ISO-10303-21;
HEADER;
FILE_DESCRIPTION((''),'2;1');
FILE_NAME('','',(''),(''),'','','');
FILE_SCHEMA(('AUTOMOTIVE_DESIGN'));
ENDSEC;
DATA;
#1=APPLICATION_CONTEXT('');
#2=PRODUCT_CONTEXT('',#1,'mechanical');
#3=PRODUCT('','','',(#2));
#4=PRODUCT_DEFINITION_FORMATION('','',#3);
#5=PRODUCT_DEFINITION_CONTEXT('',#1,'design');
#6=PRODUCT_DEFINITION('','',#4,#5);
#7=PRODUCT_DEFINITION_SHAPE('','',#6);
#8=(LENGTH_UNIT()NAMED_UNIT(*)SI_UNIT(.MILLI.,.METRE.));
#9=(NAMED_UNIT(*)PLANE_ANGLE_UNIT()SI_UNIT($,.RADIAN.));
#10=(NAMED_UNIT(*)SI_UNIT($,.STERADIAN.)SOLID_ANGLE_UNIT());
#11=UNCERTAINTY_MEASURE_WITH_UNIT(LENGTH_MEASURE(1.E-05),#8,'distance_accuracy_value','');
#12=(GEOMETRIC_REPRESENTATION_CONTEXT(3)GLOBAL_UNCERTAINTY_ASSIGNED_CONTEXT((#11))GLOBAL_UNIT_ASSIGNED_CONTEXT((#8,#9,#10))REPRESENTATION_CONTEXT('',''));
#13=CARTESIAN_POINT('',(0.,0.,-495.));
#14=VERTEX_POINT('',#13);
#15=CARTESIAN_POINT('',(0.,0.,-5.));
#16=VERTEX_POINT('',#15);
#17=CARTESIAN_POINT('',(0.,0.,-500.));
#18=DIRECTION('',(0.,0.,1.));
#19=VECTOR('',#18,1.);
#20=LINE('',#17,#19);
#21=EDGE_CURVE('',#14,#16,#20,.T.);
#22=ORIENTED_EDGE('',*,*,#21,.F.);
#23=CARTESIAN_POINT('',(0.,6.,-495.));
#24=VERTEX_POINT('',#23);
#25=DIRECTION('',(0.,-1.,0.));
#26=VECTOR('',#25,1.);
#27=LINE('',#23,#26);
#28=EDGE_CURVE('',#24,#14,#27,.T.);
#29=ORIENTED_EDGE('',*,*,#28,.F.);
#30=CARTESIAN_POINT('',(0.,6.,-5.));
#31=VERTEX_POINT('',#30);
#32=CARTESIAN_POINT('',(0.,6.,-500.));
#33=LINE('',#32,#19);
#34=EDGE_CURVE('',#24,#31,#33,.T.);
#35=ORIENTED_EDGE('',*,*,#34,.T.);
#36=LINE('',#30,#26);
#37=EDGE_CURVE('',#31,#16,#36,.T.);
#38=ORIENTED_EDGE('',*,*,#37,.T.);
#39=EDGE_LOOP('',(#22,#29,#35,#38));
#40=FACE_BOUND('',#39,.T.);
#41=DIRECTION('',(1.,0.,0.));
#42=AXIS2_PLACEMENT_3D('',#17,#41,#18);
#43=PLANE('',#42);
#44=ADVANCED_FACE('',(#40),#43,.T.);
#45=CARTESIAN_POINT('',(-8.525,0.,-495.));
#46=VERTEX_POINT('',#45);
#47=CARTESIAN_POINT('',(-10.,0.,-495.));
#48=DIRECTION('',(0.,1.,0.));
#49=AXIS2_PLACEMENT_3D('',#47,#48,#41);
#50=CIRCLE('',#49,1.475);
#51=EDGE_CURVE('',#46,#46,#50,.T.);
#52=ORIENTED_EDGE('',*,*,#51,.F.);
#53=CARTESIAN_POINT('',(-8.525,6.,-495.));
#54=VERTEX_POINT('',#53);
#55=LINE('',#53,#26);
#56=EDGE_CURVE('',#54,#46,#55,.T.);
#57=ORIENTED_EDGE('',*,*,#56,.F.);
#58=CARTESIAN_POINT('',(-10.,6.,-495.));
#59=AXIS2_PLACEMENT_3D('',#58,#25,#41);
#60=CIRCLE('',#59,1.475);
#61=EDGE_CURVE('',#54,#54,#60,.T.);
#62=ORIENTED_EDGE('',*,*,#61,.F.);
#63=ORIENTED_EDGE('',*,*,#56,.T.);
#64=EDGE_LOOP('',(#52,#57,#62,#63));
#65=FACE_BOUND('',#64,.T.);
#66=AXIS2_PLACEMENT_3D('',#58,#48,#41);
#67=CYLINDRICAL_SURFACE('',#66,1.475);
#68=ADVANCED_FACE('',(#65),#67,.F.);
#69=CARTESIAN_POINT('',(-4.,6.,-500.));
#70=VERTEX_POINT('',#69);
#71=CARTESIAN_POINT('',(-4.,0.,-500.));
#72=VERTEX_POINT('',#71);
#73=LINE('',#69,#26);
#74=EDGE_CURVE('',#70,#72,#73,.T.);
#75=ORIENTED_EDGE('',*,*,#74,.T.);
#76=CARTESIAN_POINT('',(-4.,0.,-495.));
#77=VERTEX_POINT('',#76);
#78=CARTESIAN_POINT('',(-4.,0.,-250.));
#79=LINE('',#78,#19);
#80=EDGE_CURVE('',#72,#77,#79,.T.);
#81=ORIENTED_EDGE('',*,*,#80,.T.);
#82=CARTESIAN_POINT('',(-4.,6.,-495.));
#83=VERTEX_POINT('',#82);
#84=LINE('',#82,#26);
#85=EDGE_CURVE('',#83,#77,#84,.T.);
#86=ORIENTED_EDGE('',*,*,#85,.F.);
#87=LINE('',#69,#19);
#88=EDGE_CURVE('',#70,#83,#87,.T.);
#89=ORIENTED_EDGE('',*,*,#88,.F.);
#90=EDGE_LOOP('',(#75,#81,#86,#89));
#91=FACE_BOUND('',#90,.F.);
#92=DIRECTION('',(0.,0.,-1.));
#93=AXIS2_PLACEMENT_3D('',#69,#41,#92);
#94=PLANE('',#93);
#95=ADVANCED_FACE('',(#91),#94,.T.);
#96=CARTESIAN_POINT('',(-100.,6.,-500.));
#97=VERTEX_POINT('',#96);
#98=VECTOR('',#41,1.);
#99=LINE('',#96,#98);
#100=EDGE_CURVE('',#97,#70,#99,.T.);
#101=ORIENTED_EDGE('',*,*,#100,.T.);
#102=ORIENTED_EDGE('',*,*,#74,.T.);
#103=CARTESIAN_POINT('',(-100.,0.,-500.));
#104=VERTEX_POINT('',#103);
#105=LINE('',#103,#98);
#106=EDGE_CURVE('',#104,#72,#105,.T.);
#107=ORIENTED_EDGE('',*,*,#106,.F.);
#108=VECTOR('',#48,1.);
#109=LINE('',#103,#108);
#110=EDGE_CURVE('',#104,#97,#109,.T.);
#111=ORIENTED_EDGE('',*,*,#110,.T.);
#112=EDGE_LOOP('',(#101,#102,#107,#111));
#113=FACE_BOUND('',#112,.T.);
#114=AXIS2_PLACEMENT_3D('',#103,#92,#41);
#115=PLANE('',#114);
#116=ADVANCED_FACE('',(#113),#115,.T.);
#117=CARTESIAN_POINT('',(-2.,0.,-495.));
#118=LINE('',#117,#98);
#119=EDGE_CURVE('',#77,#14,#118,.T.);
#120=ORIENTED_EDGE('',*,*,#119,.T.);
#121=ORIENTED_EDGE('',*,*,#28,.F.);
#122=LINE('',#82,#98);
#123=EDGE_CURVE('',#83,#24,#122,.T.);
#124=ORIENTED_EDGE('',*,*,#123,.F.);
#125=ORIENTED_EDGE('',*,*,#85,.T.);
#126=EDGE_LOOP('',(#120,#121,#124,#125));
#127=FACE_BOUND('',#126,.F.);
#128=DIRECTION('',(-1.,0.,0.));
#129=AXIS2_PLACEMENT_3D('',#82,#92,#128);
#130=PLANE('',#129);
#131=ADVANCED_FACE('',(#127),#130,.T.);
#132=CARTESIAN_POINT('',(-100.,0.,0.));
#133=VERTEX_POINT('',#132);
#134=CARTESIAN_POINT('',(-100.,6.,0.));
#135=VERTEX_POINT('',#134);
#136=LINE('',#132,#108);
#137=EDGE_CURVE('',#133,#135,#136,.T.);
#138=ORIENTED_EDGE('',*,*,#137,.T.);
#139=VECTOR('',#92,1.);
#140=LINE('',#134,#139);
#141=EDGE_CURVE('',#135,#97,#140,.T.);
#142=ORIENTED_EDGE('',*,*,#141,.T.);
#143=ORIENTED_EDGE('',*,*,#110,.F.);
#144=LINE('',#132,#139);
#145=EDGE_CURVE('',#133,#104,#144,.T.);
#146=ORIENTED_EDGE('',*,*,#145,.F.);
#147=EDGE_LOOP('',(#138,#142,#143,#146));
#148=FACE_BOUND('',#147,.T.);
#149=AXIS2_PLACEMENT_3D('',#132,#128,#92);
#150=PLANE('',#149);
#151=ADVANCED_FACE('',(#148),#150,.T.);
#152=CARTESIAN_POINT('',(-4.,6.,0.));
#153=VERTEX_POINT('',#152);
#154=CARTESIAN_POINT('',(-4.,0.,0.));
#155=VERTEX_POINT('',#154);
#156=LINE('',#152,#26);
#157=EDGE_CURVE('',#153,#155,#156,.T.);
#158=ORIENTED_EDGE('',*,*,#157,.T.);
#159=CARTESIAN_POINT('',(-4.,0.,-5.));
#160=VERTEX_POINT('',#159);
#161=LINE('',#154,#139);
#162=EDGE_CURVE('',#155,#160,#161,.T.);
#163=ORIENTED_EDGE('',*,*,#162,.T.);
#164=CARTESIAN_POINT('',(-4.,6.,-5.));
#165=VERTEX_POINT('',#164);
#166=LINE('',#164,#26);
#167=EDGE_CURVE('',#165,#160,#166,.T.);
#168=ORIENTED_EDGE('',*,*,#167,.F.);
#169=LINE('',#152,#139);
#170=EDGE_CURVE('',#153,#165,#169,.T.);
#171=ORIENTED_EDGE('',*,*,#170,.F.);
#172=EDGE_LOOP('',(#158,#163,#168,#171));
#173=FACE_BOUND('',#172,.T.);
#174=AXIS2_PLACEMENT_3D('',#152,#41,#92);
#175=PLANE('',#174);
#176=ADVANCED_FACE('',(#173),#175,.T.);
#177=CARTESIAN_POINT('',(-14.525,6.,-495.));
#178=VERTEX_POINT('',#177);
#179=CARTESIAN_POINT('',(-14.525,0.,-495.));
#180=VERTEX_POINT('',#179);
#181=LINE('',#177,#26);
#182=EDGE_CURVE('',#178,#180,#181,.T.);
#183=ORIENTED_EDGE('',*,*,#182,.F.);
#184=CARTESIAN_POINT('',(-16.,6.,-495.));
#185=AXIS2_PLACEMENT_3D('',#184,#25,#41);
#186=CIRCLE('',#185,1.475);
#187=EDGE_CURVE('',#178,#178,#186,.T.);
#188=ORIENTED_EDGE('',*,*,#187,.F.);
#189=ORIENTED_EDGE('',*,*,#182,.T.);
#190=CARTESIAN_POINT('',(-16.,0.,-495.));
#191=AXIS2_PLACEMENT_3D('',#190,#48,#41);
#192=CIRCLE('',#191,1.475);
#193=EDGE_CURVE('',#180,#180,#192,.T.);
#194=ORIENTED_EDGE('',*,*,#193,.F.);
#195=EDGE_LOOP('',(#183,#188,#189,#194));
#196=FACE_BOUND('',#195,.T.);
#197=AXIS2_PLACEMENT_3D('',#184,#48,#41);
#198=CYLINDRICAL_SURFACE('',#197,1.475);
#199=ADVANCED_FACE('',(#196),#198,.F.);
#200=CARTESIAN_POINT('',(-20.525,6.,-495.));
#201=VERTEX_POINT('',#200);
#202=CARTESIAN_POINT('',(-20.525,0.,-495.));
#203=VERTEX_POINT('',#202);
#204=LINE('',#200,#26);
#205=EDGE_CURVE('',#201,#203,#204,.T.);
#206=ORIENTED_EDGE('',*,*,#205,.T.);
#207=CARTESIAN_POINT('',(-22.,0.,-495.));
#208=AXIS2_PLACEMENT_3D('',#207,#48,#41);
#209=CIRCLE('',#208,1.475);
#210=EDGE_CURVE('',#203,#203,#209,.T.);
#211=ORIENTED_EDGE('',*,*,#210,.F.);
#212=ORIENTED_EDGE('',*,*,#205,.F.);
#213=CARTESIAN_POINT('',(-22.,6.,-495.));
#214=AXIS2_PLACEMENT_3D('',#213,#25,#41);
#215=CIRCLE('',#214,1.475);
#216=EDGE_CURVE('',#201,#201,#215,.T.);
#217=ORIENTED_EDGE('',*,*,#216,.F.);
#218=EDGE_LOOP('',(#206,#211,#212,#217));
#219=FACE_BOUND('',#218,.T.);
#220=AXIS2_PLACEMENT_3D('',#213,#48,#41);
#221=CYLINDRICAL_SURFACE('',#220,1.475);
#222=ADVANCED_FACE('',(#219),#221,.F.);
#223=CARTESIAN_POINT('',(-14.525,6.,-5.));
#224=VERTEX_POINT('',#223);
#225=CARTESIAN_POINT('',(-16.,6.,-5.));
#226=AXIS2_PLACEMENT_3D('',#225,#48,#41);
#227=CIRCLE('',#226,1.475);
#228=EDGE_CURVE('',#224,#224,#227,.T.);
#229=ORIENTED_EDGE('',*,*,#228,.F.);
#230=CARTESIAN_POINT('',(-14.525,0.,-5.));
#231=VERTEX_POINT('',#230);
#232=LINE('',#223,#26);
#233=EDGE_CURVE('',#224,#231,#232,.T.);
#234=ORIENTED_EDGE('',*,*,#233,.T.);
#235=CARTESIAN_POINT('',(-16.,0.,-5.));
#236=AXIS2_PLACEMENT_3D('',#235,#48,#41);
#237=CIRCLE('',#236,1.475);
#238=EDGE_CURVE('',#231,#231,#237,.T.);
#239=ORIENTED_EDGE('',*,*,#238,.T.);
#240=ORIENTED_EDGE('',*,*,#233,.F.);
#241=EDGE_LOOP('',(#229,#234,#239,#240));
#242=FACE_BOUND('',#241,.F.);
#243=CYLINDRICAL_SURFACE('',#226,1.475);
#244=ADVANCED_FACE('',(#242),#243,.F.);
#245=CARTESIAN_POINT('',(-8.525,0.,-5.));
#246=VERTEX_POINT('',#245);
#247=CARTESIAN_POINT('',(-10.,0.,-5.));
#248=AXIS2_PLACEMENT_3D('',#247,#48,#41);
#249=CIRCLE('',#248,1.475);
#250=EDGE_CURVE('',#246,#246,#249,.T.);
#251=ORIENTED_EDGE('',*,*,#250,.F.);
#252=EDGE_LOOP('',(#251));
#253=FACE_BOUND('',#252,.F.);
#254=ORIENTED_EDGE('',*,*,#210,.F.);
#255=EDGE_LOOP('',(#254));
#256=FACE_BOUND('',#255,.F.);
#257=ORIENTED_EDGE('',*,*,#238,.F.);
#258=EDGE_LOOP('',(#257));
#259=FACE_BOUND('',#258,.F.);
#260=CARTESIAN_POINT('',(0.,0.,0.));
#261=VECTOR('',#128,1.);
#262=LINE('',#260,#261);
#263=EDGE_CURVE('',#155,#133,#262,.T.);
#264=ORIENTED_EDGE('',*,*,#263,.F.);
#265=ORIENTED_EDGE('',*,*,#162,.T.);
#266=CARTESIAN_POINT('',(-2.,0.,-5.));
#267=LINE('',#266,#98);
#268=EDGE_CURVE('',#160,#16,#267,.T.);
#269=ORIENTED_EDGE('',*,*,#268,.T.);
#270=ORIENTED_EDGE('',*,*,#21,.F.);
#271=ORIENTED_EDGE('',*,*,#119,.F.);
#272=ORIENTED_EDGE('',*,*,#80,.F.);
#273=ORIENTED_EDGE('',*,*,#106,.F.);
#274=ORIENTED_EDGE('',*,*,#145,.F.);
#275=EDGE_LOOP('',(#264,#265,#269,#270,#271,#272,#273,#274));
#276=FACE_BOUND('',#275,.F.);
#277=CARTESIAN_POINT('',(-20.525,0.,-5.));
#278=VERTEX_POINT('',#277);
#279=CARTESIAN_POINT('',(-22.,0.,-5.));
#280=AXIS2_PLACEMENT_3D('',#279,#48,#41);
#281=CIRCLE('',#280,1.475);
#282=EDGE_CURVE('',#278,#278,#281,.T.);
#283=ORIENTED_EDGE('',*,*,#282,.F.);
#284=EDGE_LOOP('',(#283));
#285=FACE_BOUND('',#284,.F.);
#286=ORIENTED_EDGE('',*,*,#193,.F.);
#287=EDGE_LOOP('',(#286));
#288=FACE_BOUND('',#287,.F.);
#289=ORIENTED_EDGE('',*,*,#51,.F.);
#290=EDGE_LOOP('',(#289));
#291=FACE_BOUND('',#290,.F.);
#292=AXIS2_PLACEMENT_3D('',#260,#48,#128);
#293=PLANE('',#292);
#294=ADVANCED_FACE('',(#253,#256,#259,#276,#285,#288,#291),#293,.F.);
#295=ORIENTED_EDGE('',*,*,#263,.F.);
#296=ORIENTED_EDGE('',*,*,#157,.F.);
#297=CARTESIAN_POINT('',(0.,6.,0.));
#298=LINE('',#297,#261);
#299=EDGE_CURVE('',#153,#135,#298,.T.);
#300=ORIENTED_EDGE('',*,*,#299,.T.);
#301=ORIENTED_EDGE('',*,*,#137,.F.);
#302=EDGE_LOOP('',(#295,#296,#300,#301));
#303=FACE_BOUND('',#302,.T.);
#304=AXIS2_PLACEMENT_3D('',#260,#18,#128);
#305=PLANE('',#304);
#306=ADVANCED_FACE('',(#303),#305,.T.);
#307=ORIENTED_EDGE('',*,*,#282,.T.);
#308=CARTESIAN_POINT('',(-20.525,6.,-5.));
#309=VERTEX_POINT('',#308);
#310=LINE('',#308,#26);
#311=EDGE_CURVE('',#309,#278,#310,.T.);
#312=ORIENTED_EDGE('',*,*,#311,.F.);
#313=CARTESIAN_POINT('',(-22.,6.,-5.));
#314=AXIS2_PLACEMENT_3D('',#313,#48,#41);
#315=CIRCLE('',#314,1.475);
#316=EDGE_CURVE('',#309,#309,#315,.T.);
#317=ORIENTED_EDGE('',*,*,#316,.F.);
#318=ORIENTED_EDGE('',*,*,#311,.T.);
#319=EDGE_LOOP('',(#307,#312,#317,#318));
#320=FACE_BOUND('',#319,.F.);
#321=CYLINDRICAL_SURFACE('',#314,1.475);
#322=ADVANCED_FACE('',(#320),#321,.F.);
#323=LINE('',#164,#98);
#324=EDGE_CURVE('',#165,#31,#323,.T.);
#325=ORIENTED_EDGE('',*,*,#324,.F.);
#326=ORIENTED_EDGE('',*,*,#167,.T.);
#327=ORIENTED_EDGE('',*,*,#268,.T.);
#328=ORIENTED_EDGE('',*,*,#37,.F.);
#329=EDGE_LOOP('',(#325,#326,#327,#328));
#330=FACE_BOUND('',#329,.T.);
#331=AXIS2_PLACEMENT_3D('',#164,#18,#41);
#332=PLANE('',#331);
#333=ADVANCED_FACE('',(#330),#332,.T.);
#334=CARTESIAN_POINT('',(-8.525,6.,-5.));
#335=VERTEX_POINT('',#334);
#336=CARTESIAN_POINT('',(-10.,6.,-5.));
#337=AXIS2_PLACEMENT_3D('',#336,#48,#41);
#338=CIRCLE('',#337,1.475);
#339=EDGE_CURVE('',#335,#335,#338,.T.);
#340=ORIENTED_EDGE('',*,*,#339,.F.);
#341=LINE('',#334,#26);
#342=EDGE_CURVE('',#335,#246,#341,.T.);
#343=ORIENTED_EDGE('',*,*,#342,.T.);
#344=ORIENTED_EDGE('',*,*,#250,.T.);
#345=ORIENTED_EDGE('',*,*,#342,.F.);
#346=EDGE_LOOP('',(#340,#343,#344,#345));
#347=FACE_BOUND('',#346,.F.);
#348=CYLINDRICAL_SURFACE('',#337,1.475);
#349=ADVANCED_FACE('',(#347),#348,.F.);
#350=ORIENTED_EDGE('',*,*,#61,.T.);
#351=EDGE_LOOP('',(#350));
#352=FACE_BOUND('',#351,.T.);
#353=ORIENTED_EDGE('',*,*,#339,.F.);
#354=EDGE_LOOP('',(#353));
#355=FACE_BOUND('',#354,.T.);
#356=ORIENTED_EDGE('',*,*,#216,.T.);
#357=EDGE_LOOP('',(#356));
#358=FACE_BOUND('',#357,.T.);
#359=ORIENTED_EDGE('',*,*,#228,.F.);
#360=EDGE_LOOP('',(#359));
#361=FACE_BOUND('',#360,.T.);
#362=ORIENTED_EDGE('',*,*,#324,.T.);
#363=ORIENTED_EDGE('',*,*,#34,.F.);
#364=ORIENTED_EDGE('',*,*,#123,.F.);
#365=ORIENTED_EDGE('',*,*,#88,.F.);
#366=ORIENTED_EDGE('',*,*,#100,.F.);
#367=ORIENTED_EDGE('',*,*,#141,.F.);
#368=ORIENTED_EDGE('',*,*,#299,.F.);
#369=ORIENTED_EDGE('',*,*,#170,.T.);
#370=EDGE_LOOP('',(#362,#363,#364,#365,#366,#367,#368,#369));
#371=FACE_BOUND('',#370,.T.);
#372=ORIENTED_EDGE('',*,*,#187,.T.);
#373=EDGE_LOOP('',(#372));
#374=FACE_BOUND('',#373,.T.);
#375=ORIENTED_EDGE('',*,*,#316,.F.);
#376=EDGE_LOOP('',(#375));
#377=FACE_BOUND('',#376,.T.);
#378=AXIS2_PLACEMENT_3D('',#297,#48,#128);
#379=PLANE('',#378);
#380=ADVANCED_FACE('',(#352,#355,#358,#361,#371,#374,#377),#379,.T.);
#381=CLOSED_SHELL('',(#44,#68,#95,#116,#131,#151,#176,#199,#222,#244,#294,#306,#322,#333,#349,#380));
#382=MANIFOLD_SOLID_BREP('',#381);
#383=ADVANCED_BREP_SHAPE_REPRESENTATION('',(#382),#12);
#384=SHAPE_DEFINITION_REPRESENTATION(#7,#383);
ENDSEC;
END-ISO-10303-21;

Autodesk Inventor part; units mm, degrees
ref_plane "YZ Plane" through (0, 0, 0) normal (1, 0, 0) x (0, 1, 0)
ref_plane "XZ Plane" through (0, 0, 0) normal (0, 1, 0) x (-1, 0, 0)
sketch "Sketch1" plane through (0, 0, 0) normal (0, 1, 0) x (-1, 0, 0)
  line L0 (0, 0) -> (100, 0)
  line L1 (100, 0) -> (100, -500)
  line L2 (100, -500) -> (0, -500)
  line L3 (0, -500) -> (0, 0)
  dimension "d0" = 500
  dimension "d1" = 100
extrude "Extrusion1" add sketch "Sketch1" along normal blind 6
sketch "Sketch2" plane through (0, 6, 0) normal (0, 1, 0) x (1, 0, 0)
  circle A0 centre (-10, 5) radius 1.475
  line L0 (-100, 0) -> (0, 0) projected
  line L1 (0, 0) -> (0, 500) projected
  dimension "d4" = 2.95
  dimension "d5" = 5
  dimension "d6" = 10
extrude "Extrusion2" cut sketch "Sketch2" against normal blind 10
pattern_linear "Rectangular Pattern1" count 3 spacing 6 along (-1, 0, 0) of "Extrusion2"
ref_plane "Work Plane1" through (-100, 0, -250) normal (0, 0, 1) x (1, 0, 0)
sketch "Sketch3" plane through (0, 6, 0) normal (0, 1, 0) x (1, 0, 0)
  line L0 (-100, 0) -> (0, 0) projected
  line L1 (0, 0) -> (-4, 0)
  line L2 (-4, 0) -> (-4, 5)
  line L3 (-4, 5) -> (0, 5)
  line L4 (0, 5) -> (0, 0)
  dimension "d12" = 4
  dimension "d13" = 5
extrude "Extrusion3" cut sketch "Sketch3" against normal blind 100
mirror "Mirror1" about plane through (-100, 0, -250) normal (0, 0, 1) of "Extrusion2", "Rectangular Pattern1", "Extrusion3"
sketch "Sketch4" plane through (0, 6, 0) normal (0, 1, 0) x (1, 0, 0)
  circle A0 centre (-22, 5) radius 1.475 projected
  circle A1 centre (-16, 5) radius 1.475 projected
  circle A2 centre (-10, 5) radius 1.475 projected
  line L0 (0, 495) -> (-4, 495) projected
  line L1 (-4, 495) -> (-4, 500) projected
  line L2 (-4, 500) -> (-100, 500) projected
  line L3 (-100, 500) -> (-100, 0) projected
  line L4 (-100, 0) -> (-4, 0) projected
  line L5 (-4, 0) -> (-4, 5) projected
  line L6 (-4, 5) -> (0, 5) projected
  line L7 (0, 5) -> (0, 495) projected
  circle A3 centre (-10, 495) radius 1.475 projected
  circle A4 centre (-16, 495) radius 1.475 projected
  circle A5 centre (-22, 495) radius 1.475 projected
  point P0 (0, 0)
properties part number "Bending_plate"
